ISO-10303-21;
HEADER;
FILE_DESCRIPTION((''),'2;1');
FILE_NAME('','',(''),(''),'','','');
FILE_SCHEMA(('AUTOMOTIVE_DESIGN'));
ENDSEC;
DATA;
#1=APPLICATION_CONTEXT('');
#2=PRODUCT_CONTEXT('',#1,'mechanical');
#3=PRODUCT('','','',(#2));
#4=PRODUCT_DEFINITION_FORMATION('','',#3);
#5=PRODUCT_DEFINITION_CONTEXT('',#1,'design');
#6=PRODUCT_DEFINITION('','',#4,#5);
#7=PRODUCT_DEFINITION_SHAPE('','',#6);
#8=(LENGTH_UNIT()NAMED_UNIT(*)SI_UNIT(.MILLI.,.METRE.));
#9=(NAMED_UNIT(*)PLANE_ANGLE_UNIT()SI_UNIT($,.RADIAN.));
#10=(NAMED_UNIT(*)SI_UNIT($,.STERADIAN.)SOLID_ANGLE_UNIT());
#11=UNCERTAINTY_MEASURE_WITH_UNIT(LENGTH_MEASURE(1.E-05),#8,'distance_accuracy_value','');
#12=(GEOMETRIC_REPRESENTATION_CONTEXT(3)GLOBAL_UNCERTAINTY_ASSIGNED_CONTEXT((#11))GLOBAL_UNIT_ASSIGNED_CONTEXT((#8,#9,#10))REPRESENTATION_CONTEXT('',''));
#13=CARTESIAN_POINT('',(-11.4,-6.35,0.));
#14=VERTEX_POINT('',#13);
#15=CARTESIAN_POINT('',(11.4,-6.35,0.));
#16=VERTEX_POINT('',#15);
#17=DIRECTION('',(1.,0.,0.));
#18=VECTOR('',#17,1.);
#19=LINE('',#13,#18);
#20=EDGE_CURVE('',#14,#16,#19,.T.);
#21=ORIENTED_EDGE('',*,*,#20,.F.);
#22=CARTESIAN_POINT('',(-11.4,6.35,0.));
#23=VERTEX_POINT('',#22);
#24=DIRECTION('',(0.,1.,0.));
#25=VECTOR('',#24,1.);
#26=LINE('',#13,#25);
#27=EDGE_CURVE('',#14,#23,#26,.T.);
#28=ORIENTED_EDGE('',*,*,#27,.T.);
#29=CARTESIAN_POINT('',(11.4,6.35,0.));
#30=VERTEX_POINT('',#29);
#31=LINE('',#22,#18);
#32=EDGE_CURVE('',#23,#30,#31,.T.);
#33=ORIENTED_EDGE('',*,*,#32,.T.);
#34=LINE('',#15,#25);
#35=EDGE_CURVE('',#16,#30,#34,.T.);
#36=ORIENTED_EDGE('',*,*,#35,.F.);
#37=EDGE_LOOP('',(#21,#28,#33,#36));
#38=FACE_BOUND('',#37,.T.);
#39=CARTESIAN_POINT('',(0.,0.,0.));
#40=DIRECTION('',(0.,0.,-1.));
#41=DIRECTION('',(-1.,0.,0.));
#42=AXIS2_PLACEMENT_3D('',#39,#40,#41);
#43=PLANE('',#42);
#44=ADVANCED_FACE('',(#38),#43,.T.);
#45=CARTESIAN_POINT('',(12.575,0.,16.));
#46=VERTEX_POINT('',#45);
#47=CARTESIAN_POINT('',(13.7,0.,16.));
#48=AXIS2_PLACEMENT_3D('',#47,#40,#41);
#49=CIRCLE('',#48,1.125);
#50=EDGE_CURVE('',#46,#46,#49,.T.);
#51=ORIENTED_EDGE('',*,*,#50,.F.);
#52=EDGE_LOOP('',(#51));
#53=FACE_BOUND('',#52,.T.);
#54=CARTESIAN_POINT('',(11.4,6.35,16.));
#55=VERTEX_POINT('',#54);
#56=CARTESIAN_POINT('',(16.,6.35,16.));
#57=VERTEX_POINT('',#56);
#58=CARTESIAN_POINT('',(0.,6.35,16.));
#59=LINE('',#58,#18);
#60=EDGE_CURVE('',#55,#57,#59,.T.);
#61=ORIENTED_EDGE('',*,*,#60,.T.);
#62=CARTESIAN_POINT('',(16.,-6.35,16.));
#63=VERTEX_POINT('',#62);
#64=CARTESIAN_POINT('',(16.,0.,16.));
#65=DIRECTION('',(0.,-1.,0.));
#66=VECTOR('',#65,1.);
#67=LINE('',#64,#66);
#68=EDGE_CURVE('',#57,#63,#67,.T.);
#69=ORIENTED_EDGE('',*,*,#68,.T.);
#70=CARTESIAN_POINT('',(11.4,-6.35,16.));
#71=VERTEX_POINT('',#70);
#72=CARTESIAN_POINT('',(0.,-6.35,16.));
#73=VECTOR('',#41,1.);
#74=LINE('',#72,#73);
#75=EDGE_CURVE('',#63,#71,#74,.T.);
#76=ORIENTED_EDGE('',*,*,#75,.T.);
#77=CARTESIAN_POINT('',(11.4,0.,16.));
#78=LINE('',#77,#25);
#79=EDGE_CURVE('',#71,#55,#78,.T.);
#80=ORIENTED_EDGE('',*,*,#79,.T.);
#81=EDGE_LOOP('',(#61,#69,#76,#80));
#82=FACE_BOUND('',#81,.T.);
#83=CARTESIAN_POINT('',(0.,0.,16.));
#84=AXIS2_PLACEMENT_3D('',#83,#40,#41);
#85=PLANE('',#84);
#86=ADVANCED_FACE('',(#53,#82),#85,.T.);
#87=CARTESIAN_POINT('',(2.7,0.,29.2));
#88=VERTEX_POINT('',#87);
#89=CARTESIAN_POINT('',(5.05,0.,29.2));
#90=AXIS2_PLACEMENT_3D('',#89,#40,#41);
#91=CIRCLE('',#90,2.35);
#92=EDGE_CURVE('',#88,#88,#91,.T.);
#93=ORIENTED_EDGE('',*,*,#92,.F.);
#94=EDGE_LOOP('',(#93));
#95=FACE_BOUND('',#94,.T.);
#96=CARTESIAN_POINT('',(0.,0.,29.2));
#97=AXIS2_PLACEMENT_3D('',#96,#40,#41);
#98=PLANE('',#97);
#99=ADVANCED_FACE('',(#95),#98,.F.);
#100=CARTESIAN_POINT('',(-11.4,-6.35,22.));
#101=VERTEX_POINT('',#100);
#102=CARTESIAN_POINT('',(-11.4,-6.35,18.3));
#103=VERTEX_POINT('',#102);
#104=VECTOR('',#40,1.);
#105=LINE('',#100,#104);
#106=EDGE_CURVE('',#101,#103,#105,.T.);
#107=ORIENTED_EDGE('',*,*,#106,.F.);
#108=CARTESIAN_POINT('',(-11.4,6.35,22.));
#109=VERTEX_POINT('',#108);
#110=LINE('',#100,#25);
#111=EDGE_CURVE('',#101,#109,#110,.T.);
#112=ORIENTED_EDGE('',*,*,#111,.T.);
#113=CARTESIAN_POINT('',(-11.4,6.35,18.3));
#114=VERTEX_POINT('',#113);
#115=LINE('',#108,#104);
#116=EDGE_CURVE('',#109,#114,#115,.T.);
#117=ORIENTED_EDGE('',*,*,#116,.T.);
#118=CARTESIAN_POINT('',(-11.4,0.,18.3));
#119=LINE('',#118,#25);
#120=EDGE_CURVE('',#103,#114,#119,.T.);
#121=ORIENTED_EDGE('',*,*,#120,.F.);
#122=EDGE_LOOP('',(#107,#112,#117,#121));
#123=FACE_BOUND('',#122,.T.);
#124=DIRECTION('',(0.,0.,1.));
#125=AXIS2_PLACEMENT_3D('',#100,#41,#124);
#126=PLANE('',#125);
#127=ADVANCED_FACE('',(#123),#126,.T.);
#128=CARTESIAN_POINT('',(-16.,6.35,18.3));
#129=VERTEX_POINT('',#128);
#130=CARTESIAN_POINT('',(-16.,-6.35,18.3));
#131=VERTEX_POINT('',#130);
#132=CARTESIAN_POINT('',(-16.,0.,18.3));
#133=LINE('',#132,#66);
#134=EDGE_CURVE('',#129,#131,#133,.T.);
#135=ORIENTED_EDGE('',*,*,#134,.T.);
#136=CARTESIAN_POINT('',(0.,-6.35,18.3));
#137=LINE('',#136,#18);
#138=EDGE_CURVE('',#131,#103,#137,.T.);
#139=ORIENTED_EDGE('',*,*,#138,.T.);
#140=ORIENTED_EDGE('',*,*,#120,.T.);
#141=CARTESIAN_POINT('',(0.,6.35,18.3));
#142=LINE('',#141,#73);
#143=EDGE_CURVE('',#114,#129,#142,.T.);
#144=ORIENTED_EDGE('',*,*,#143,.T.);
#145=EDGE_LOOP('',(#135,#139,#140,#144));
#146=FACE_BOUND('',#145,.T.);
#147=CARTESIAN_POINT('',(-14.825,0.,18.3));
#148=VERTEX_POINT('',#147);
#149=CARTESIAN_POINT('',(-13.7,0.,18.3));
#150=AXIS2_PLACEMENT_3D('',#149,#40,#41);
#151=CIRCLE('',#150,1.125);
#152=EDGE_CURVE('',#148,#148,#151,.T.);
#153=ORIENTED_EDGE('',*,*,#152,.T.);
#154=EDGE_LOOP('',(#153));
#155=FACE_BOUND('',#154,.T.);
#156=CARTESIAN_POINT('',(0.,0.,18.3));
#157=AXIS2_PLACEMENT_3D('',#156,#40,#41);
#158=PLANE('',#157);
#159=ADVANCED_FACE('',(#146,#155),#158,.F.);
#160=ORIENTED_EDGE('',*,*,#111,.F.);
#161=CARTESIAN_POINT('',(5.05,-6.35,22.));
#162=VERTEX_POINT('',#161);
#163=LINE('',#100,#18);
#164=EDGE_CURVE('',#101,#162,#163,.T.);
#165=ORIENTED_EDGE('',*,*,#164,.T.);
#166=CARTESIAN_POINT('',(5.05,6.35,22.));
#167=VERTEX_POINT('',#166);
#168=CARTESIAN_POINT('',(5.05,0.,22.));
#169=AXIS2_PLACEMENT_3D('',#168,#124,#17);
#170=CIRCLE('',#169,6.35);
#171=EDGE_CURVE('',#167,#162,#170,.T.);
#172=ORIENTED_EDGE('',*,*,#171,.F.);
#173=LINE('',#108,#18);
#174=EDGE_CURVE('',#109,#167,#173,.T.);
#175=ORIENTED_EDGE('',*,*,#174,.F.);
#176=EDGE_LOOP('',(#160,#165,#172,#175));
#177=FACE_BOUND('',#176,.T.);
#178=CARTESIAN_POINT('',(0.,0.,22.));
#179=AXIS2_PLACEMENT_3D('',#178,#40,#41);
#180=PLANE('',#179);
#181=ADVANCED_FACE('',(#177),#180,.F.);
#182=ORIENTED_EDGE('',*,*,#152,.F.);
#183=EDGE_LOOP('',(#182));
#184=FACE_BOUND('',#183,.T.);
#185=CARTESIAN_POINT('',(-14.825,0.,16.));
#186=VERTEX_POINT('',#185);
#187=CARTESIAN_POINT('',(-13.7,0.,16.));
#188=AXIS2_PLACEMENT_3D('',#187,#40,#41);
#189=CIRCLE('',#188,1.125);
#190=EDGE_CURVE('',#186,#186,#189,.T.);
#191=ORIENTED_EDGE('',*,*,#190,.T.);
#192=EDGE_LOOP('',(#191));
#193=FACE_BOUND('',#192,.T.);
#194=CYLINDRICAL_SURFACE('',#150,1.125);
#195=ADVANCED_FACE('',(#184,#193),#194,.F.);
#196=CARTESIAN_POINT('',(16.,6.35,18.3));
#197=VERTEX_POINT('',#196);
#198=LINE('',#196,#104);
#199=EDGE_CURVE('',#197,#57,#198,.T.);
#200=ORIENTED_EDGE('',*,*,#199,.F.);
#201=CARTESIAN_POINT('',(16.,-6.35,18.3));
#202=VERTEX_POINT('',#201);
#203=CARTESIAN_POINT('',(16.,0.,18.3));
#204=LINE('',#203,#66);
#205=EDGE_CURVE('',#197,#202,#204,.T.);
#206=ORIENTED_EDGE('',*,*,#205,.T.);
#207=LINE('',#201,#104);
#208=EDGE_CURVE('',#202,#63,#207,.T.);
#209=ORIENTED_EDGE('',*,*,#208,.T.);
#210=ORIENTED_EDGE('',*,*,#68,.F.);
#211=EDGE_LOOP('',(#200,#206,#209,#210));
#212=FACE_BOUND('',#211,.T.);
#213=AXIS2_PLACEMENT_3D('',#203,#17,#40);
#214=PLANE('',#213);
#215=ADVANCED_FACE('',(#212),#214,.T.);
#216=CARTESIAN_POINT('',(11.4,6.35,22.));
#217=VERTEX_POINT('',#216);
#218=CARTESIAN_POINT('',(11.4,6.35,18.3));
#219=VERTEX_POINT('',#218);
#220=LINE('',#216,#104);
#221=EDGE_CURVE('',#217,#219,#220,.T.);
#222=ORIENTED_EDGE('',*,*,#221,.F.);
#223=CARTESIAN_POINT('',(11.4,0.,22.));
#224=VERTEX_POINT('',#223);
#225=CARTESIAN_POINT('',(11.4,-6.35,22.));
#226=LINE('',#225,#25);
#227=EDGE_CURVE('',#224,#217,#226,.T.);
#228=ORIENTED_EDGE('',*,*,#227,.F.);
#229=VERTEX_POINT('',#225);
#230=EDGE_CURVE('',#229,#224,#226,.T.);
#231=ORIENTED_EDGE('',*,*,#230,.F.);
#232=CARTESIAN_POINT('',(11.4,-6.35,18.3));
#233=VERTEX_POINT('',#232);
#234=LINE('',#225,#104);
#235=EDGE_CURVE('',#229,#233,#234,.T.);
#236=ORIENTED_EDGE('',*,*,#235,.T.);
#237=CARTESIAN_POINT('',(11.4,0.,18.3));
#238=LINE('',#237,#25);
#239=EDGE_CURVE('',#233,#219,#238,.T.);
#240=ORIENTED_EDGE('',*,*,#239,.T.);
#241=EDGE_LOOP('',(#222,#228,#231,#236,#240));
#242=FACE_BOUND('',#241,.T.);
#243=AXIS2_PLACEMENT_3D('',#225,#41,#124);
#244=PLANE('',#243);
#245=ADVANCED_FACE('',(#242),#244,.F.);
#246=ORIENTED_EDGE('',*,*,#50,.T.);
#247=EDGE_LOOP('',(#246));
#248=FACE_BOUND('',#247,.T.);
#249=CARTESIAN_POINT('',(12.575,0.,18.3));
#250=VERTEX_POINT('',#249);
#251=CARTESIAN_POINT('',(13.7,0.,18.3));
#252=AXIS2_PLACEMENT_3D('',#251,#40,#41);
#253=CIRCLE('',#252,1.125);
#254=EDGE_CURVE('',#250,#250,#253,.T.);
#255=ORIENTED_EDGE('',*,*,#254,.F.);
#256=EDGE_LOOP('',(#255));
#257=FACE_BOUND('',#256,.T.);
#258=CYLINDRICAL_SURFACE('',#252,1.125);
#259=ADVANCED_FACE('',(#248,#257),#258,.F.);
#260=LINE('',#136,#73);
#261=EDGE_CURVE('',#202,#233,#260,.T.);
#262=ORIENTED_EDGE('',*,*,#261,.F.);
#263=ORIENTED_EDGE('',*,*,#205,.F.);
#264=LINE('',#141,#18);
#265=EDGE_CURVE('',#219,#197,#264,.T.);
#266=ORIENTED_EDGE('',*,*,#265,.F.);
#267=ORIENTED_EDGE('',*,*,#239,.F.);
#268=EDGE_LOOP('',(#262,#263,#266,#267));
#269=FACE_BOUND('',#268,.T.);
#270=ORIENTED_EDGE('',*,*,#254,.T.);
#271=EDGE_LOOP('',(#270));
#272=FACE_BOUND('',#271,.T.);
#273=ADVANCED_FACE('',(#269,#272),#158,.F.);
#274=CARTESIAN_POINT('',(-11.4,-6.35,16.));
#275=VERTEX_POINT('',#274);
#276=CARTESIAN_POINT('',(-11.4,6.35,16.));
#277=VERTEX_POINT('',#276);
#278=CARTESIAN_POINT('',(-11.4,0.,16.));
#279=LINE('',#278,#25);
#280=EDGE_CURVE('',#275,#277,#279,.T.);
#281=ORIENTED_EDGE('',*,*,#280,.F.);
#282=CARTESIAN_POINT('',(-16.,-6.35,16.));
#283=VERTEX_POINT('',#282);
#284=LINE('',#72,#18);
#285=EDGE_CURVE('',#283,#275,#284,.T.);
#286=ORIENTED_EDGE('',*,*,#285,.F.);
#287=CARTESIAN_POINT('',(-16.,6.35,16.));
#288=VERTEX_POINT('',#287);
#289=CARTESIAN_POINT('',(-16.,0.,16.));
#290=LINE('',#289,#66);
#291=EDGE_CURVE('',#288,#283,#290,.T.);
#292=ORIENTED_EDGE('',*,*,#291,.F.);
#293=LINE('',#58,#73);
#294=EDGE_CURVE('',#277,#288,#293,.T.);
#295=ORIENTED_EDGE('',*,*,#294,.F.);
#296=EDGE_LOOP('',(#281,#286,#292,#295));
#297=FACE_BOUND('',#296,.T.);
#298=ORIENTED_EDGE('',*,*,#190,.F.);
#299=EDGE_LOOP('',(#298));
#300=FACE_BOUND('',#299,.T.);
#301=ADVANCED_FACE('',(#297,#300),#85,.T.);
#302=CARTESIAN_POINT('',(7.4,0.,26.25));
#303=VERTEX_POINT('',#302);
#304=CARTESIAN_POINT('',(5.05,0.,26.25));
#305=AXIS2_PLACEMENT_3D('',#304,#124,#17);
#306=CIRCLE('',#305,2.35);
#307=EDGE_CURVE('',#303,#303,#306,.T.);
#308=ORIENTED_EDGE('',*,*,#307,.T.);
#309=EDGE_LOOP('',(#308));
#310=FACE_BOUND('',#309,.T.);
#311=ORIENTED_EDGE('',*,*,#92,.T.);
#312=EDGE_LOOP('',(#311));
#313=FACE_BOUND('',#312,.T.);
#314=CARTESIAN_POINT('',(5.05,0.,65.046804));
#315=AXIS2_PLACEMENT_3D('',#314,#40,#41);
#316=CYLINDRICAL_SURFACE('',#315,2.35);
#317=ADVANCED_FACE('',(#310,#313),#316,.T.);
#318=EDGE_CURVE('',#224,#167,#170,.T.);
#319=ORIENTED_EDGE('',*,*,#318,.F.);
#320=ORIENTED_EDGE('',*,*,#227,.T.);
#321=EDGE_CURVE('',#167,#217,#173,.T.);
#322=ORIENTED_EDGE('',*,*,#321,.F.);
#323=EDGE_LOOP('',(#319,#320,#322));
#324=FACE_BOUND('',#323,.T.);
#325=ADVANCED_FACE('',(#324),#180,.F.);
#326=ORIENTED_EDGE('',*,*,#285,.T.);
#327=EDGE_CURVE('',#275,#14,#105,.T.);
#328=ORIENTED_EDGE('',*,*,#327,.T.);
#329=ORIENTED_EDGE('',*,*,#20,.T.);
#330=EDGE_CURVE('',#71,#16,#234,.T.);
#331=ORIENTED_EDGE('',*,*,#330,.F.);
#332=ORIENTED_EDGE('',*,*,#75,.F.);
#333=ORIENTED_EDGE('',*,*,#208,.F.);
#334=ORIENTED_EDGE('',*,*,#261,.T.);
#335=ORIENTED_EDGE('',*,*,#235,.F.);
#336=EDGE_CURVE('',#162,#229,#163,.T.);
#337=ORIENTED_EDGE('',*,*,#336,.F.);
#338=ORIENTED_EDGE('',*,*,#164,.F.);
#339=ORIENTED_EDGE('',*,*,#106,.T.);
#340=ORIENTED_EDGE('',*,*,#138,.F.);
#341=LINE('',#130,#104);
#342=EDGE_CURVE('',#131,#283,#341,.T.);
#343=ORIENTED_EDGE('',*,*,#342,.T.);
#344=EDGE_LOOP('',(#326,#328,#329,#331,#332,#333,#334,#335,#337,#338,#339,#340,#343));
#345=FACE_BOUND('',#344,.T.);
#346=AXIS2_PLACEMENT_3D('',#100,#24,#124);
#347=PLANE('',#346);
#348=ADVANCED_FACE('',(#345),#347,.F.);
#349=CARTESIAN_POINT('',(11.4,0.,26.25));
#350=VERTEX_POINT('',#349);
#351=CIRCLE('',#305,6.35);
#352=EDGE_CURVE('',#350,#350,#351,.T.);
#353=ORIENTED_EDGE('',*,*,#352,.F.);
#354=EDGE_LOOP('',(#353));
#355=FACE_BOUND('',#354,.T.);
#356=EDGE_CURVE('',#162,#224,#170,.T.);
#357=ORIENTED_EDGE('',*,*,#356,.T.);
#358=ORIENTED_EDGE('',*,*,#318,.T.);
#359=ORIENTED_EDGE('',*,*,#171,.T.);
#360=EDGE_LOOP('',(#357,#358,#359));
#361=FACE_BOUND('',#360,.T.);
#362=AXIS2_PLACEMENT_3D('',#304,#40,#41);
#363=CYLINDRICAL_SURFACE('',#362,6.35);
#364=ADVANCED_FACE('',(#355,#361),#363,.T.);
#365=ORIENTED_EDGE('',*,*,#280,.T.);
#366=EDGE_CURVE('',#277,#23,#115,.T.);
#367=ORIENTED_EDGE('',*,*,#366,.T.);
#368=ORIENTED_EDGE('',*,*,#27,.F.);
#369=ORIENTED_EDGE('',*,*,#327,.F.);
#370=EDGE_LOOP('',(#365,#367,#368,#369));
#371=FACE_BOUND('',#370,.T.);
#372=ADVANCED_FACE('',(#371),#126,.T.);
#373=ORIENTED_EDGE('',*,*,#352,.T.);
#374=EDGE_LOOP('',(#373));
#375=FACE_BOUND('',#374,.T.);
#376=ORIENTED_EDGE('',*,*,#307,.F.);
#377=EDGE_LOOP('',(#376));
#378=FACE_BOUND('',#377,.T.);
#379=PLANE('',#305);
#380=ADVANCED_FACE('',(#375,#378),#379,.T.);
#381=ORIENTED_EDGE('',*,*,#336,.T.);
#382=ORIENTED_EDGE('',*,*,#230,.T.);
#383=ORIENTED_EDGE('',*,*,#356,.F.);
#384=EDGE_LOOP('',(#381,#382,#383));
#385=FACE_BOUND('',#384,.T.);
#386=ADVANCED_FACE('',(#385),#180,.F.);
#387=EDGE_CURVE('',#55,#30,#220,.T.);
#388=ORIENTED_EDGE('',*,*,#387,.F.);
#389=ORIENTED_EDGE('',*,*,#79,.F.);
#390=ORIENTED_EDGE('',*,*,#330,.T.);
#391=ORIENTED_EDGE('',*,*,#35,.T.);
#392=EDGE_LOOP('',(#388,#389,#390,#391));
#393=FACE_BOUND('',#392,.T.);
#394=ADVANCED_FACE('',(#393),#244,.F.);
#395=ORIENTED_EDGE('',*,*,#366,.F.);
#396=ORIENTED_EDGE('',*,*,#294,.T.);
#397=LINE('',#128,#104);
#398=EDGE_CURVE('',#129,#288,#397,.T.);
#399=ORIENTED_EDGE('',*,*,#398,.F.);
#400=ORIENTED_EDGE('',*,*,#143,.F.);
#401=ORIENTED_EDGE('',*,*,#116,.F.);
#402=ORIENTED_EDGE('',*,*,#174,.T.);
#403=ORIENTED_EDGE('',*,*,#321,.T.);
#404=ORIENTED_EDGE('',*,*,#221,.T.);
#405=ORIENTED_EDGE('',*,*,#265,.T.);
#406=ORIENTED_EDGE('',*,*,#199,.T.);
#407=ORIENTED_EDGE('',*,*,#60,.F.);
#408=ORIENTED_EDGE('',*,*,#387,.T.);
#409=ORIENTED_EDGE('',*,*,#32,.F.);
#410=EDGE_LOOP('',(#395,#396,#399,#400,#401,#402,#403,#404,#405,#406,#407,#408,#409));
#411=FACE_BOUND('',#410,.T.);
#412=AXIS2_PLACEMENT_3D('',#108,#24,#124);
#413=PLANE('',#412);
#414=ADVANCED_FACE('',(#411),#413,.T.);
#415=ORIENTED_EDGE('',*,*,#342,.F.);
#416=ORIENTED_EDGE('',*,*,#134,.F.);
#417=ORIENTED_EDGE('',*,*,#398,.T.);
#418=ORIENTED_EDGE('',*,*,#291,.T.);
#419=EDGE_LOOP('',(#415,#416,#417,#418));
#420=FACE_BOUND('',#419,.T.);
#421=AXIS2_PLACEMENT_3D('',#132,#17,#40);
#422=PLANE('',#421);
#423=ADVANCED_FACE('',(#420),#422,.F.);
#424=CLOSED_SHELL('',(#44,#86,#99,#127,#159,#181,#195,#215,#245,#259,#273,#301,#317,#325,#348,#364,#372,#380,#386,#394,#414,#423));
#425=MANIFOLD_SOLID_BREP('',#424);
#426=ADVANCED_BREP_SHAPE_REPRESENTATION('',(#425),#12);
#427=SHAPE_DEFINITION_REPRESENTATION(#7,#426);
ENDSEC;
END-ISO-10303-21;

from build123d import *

# Parameters (mm, degrees)
SKETCH1_W           = 22.8
SKETCH1_H           = 12.7
BODY_DEPTH          = 22
SKETCH2_W           = 4.6
SKETCH2_H           = 12.7
SKETCH2_R           = 1.125
BOSS_EXTRUDE2_DEPTH = 2.3
SKETCH3_R           = 2.35
BOSS_EXTRUDE3_DEPTH = 7.2
SKETCH4_R           = 6.35
BOSS_EXTRUDE4_DEPTH = 4.25


with BuildPart() as part:
    # Sketch1 → Body (new body)
    with BuildSketch(Plane.XY):
        Rectangle(SKETCH1_W, SKETCH1_H)
    extrude(amount=BODY_DEPTH)

    # Sketch2 → Boss-Extrude2 (add)
    with BuildSketch(Plane(origin=(0, 0, 16), x_dir=(-1, 0, 0), z_dir=(0, 0, -1))):
        with Locations((13.7, 0)):
            Rectangle(SKETCH2_W, SKETCH2_H)
        with Locations((13.7, 0)):
            Circle(SKETCH2_R, mode=Mode.SUBTRACT)
        with Locations((-13.7, 0)):
            Rectangle(SKETCH2_W, SKETCH2_H)
        with Locations((-13.7, 0)):
            Circle(SKETCH2_R, mode=Mode.SUBTRACT)
    extrude(amount=-BOSS_EXTRUDE2_DEPTH)

    # Sketch3 → Boss-Extrude3 (add)
    with BuildSketch(Plane.XY.offset(22)):
        with Locations((5.05, 0)):
            Circle(SKETCH3_R)
    extrude(amount=BOSS_EXTRUDE3_DEPTH)

    # Sketch4 → Boss-Extrude4 (add)
    with BuildSketch(Plane.XY.offset(22)):
        with Locations((5.05, 0)):
            Circle(SKETCH4_R)
    extrude(amount=BOSS_EXTRUDE4_DEPTH)


solid = part.part
